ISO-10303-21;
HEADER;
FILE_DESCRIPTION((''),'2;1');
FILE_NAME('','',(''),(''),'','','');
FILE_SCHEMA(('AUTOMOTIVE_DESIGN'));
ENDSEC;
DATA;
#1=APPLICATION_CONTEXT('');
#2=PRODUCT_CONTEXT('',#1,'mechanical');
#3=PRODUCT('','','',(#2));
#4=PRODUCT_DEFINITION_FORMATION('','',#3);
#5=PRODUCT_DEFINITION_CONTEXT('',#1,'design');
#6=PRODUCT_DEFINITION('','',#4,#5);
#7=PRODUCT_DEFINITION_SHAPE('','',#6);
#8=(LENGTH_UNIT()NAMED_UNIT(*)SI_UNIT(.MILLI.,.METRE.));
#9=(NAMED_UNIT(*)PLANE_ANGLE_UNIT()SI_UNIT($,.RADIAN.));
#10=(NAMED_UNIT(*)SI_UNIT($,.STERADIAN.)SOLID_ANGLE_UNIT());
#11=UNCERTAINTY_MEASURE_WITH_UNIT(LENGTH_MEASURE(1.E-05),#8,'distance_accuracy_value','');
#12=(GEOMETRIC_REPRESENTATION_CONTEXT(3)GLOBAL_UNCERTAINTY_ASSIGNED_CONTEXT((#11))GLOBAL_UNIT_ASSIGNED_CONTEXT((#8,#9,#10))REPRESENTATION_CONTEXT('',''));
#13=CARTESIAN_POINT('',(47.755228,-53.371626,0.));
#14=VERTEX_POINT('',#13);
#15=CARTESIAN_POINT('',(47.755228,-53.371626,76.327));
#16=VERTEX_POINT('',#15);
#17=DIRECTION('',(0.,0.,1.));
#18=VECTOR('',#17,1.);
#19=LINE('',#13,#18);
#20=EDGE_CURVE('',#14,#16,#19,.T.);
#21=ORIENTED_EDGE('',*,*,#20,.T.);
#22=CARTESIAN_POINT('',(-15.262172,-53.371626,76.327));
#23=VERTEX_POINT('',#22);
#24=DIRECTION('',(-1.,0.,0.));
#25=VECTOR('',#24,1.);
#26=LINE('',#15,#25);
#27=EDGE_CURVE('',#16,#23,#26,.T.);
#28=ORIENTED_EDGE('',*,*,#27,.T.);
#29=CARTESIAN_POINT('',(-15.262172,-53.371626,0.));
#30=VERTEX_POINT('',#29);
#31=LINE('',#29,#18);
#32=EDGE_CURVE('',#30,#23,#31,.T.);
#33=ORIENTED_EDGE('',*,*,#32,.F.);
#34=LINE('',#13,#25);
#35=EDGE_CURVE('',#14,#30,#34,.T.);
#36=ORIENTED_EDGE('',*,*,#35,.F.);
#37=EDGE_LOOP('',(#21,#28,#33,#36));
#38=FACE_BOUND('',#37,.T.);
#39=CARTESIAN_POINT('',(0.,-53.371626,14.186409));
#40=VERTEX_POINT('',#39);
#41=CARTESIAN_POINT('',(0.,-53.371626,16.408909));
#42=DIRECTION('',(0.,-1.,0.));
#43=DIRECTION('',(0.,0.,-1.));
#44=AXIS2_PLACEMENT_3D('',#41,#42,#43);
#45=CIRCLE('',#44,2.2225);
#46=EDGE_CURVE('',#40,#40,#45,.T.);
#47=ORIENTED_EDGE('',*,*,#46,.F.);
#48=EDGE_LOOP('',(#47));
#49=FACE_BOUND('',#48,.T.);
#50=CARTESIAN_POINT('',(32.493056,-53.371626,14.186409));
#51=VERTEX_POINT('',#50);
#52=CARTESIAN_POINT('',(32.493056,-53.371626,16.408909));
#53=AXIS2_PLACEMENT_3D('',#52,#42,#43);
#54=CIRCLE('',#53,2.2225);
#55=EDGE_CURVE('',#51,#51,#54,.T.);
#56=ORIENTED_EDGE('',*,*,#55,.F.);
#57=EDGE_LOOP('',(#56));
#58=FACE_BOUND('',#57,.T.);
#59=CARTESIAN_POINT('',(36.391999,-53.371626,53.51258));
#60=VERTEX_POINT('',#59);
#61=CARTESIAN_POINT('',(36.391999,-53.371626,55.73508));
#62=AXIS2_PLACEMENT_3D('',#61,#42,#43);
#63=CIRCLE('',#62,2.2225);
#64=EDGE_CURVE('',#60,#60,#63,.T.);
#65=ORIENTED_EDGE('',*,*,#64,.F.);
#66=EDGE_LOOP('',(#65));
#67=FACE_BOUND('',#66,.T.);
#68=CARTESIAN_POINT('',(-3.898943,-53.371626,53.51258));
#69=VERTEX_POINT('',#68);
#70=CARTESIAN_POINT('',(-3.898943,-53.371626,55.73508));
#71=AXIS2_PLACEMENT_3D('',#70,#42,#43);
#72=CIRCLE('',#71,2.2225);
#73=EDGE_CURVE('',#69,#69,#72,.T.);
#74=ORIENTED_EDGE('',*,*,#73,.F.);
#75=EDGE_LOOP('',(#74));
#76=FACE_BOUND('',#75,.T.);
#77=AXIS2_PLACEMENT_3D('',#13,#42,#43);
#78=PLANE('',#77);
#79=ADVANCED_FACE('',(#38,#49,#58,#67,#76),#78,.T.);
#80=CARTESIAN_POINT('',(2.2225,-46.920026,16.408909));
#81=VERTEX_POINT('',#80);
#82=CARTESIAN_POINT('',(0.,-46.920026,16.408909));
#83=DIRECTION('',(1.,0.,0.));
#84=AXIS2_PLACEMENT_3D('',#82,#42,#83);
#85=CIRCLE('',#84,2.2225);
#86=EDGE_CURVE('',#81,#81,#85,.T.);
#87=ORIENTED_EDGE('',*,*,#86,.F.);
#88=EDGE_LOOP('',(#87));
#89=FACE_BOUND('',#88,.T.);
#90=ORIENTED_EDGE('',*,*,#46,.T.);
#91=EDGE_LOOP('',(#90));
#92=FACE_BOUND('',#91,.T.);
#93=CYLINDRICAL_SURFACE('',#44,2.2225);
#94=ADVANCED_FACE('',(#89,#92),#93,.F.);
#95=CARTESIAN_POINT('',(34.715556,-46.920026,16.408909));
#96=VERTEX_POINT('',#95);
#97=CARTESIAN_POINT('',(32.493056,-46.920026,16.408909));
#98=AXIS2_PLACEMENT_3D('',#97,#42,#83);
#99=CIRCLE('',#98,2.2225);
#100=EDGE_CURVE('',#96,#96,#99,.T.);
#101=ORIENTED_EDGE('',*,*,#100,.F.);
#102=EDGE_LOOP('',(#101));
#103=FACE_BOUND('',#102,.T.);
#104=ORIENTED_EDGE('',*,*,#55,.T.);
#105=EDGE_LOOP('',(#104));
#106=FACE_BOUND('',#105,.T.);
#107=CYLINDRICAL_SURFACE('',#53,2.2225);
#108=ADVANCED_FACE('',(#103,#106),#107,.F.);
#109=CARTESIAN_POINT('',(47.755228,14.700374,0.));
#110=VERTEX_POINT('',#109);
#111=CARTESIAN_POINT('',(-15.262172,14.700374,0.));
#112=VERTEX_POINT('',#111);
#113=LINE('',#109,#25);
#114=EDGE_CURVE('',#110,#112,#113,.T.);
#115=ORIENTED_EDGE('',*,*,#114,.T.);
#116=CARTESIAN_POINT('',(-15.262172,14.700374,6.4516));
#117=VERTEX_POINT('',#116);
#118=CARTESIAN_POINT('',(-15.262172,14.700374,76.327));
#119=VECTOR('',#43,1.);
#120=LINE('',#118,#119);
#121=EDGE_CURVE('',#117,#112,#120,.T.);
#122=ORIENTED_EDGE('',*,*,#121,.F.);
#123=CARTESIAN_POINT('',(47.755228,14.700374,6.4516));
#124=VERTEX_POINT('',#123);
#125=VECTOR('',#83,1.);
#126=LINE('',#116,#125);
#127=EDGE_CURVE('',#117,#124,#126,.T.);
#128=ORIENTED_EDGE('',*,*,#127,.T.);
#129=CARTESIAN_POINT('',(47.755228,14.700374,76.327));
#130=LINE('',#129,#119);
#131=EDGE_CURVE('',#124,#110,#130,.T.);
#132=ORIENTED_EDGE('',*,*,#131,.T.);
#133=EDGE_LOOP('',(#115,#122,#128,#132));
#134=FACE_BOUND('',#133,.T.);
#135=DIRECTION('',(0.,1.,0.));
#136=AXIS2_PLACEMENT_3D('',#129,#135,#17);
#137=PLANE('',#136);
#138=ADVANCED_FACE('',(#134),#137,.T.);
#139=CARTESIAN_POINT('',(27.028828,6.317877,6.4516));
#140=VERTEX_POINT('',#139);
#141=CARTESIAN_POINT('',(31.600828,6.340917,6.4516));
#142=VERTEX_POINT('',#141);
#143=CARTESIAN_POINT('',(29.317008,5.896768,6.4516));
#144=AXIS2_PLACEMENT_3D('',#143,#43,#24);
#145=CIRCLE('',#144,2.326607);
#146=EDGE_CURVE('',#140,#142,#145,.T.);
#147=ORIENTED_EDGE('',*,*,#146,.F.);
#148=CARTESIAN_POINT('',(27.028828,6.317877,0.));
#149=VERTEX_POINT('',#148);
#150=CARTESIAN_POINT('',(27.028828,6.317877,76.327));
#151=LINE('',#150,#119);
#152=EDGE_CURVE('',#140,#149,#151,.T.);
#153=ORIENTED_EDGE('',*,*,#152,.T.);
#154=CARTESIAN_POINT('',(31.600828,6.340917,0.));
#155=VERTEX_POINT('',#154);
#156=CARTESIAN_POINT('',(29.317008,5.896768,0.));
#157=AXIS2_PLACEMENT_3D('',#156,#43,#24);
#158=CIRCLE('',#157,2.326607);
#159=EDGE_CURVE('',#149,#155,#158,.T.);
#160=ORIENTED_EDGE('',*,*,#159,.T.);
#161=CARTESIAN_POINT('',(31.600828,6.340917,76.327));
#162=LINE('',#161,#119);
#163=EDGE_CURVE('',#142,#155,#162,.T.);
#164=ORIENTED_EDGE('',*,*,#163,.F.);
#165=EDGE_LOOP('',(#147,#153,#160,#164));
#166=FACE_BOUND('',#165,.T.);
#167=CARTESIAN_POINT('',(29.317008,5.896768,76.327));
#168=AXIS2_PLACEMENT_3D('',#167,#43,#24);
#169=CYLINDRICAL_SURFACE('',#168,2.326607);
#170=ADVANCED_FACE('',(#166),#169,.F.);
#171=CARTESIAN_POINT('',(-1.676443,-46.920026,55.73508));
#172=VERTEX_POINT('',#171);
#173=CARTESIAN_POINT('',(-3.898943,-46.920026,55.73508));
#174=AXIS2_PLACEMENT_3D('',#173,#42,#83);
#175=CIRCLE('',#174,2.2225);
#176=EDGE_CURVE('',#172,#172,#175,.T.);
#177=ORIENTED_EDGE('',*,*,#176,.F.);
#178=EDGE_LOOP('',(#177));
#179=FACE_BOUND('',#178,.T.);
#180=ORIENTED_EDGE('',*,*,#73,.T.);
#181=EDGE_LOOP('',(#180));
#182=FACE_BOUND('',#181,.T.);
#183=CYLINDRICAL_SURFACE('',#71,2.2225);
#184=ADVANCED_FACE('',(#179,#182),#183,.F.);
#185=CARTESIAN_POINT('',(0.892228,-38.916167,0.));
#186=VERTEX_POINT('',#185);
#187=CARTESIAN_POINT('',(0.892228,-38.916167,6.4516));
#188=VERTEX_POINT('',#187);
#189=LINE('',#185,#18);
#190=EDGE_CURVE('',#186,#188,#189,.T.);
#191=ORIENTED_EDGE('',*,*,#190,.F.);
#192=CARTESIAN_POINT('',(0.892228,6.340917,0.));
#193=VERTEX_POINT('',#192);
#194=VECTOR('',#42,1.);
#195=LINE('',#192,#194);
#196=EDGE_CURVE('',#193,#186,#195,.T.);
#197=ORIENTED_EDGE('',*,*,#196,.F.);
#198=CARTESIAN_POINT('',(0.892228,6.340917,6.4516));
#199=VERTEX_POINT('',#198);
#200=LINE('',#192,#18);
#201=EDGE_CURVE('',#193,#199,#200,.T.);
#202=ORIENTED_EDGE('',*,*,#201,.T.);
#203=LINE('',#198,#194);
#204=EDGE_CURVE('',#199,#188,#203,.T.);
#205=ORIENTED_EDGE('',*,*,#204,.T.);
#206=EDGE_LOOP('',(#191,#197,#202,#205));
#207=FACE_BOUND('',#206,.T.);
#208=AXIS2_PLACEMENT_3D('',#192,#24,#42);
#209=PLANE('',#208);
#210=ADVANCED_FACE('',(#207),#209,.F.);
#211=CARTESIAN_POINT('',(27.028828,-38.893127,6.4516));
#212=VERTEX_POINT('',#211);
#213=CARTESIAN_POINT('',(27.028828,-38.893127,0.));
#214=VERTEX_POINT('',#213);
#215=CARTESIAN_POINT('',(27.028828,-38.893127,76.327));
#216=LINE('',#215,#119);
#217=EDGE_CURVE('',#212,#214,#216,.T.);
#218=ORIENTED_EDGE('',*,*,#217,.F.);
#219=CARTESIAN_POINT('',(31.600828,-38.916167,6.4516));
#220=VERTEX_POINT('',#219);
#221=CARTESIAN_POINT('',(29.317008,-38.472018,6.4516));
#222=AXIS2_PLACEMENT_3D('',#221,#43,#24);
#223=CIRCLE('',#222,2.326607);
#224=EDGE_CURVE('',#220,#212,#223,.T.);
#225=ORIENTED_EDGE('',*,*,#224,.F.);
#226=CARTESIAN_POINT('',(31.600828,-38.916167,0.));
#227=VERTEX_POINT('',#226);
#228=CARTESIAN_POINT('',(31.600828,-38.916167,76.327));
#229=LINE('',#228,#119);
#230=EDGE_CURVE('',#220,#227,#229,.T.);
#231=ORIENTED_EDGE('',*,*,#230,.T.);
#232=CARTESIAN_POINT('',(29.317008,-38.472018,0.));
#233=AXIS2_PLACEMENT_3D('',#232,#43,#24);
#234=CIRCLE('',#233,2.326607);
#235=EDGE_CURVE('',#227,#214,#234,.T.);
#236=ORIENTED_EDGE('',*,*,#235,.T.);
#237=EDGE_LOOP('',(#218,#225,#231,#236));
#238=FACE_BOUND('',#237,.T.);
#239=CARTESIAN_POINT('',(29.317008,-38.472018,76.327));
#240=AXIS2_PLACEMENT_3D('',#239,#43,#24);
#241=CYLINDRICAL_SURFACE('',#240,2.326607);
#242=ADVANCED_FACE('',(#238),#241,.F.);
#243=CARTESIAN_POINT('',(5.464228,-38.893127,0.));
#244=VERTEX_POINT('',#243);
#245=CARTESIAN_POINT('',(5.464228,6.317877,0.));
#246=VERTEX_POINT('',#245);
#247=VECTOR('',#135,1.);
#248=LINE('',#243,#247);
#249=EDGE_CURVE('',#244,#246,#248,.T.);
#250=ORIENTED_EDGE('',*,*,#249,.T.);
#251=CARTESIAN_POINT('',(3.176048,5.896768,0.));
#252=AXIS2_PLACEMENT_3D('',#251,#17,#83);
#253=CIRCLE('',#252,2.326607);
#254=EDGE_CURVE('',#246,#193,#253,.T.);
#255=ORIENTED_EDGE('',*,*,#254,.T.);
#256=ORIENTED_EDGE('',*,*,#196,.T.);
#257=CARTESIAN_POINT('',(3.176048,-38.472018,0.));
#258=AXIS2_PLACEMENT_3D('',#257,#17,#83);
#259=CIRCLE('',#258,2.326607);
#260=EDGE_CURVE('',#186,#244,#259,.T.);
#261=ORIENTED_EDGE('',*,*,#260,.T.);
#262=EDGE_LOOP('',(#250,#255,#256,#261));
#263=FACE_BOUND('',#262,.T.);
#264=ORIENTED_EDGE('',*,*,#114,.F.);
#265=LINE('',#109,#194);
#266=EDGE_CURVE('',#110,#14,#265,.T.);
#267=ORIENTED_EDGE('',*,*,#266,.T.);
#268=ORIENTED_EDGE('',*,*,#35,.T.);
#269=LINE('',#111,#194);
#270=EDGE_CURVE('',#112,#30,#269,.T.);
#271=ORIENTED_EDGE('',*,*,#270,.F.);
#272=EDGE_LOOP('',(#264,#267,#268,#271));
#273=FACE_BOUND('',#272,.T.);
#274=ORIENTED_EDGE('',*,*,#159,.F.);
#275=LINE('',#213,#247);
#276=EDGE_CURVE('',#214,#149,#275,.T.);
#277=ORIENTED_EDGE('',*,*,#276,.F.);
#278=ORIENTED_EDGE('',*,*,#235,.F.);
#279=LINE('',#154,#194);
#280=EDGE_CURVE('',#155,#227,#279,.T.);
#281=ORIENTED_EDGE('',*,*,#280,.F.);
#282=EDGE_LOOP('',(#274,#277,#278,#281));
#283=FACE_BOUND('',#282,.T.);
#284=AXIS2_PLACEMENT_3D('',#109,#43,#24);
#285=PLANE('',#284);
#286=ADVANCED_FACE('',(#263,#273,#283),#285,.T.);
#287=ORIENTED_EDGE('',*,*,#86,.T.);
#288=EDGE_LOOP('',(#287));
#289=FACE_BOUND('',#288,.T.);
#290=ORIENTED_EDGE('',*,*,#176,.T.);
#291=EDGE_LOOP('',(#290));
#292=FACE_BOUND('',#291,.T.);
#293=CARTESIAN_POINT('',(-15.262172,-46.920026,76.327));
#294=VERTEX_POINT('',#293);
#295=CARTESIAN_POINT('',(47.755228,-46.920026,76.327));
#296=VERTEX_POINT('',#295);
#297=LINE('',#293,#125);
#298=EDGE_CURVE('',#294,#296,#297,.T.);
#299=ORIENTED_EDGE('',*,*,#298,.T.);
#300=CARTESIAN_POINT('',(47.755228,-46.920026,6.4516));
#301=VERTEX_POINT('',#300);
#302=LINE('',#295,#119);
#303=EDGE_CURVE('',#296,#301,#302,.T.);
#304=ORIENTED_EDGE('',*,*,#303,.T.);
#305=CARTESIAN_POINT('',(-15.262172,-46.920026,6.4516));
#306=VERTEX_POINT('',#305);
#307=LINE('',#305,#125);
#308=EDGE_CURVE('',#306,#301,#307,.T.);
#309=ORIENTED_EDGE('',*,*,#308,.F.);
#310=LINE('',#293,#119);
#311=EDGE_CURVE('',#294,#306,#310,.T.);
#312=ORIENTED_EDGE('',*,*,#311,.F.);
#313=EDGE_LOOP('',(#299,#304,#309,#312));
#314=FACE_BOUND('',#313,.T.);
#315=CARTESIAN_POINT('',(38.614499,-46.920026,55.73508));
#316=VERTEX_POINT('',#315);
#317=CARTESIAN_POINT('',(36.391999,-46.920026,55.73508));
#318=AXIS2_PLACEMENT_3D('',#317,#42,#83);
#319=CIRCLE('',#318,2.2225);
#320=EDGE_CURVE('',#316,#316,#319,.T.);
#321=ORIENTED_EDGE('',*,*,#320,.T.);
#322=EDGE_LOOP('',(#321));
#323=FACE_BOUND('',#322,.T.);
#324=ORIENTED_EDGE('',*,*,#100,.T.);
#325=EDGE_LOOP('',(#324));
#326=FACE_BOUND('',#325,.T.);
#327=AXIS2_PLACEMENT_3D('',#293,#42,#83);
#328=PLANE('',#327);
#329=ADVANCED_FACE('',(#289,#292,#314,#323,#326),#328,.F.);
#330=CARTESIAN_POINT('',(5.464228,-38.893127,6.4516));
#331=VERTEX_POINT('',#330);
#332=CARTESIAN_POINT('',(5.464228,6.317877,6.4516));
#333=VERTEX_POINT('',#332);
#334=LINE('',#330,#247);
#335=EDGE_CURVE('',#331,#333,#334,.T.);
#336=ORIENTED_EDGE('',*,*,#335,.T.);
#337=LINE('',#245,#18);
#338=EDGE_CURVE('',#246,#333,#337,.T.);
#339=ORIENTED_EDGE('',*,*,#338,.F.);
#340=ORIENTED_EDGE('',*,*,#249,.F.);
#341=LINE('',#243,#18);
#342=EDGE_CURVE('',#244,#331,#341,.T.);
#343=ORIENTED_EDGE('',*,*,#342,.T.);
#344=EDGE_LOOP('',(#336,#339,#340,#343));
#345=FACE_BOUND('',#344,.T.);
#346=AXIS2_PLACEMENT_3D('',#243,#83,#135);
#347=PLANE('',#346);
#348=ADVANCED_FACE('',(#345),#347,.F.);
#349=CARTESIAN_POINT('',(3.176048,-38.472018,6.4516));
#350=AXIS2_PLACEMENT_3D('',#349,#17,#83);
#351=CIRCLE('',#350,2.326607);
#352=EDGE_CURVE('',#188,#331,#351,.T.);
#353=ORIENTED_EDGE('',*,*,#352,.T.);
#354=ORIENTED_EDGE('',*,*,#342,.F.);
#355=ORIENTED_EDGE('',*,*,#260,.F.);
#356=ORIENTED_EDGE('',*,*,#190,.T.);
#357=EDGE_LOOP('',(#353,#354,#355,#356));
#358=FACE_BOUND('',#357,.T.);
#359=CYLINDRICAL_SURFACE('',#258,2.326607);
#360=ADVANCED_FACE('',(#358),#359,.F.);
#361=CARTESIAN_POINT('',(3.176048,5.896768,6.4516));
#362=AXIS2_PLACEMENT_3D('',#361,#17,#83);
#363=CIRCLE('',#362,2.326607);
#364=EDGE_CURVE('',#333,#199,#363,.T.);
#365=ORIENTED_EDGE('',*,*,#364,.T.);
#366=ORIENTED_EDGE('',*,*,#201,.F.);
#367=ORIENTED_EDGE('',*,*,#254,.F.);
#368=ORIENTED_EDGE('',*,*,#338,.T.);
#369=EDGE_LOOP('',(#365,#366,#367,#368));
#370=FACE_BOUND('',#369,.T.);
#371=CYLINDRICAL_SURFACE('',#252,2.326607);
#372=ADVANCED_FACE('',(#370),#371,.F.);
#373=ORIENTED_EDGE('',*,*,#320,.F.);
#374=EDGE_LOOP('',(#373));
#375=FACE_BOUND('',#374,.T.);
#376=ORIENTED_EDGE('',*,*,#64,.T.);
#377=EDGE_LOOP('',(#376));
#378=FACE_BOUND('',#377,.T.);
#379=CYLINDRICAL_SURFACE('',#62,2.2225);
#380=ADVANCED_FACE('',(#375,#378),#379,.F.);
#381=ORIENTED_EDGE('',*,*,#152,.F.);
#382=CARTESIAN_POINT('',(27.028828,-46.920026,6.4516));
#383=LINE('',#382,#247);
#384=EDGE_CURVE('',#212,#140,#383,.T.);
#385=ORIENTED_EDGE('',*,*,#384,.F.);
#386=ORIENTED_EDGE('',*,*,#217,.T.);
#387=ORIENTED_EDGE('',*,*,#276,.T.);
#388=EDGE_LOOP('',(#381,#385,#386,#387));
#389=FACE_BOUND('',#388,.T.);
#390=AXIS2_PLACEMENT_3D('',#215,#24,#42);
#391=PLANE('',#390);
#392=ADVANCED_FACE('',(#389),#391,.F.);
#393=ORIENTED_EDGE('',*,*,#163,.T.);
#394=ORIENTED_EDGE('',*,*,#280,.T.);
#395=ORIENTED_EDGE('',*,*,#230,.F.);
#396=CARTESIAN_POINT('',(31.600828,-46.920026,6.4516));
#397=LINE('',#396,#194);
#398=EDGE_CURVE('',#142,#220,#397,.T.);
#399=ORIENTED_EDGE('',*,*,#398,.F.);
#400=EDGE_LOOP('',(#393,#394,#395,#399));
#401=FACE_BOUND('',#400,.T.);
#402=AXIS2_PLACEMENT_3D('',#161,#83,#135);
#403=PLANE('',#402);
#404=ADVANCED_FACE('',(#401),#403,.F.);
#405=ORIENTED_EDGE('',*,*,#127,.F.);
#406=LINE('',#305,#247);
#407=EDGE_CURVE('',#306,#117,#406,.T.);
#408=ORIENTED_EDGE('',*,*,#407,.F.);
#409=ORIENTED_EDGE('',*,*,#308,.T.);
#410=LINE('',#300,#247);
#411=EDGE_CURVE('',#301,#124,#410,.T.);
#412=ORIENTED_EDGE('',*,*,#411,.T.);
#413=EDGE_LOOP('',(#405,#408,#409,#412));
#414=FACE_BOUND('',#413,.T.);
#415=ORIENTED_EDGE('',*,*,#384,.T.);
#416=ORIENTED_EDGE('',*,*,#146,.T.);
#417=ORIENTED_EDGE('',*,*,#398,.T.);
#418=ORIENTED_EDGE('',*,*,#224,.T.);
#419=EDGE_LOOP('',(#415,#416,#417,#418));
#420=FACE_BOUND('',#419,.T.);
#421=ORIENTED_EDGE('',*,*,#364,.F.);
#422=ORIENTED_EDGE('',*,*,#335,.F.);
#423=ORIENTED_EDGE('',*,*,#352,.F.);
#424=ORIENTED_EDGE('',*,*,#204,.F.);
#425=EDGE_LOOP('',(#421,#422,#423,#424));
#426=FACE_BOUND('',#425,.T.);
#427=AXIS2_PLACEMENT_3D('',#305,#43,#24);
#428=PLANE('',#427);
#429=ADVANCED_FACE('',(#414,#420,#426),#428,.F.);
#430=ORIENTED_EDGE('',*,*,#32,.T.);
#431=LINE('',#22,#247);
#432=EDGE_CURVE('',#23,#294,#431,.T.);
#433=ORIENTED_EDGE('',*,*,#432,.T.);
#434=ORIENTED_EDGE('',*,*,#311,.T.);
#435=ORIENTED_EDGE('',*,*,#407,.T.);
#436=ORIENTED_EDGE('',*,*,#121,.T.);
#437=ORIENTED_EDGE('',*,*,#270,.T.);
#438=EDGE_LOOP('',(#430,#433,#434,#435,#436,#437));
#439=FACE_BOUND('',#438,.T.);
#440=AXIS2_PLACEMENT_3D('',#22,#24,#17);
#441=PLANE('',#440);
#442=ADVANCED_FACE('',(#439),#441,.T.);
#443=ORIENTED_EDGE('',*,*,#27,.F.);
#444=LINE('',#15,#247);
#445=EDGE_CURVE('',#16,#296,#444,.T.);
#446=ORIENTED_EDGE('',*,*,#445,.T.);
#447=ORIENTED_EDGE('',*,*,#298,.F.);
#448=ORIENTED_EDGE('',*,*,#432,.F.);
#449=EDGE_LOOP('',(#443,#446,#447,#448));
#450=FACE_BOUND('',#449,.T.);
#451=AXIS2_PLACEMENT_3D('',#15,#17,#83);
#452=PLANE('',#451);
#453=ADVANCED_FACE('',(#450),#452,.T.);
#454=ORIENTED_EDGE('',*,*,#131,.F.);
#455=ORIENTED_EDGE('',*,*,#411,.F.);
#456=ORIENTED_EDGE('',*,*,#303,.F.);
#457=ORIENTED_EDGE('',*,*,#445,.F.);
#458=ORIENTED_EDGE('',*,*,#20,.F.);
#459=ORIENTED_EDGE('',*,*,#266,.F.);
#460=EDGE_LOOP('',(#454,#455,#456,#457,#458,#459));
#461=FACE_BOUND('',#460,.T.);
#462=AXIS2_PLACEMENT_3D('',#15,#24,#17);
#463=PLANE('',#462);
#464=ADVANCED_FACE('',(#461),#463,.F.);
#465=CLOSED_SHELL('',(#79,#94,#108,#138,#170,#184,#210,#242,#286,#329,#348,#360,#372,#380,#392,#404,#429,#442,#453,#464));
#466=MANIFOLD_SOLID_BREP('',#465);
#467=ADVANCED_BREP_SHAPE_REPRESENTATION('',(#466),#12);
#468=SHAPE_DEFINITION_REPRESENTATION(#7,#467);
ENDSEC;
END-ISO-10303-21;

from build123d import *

# Parameters (mm, degrees)
SKETCH1_W                = 68.072
SKETCH1_H                = 76.327
BOSS_EXTRUDE1_DEPTH      = 63.0174
SKETCH2_W                = 69.8754
SKETCH2_H                = 61.6204
CUT_EXTRUDE1_DEPTH       = 113.452363516
CUT_EXTRUDE2_DEPTH       = 101.05830175
CUT_EXTRUDE3_DEPTH       = 105.665673231
M4_CLEARANCE_HOLE1_D     = 4.445
M4_CLEARANCE_HOLE1_DEPTH = 68.072


with BuildPart() as part:
    # Sketch1 → Boss-Extrude1 (new body)
    with BuildSketch(Plane(origin=(-15.262172061, 0, 0), x_dir=(0, -1, 0), z_dir=(-1, 0, 0))):
        with Locations((19.335625687, 38.1635)):
            Rectangle(SKETCH1_W, SKETCH1_H)
    extrude(amount=-BOSS_EXTRUDE1_DEPTH)

    # Sketch2 → Cut-Extrude1 (cut, through all)
    with BuildSketch(Plane(origin=(47.755227939, 0, 0), x_dir=(0, 0, -1), z_dir=(1, 0, 0))):
        with Locations((-41.3893, -16.109825687)):
            Rectangle(SKETCH2_W, SKETCH2_H)
    extrude(amount=-CUT_EXTRUDE1_DEPTH, mode=Mode.SUBTRACT)

    # Sketch3 → Cut-Extrude2 (cut, through all)
    with BuildSketch(Plane.XY.offset(6.4516)):
        with BuildLine():
            Line((5.464227939, -38.893127295), (5.464227939, 6.317876942))
            ThreePointArc((5.464227939, 6.317876942), (3.187772185, 8.223345793), (0.892227939, 6.340916789))
            Line((0.892227939, 6.340916789), (0.892227939, -38.916167142))
            ThreePointArc((0.892227939, -38.916167142), (3.187772185, -40.798596146), (5.464227939, -38.893127295))
        make_face()
    extrude(amount=-CUT_EXTRUDE2_DEPTH, mode=Mode.SUBTRACT)

    # Sketch4 → Cut-Extrude3 (cut, through all)
    with BuildSketch(Plane(origin=(0, 0, 0), x_dir=(-1, 0, 0), z_dir=(0, 0, -1))):
        with BuildLine():
            Line((-27.028827939, -38.893127295), (-27.028827939, 6.317876942))
            ThreePointArc((-27.028827939, 6.317876942), (-29.305283692, 8.223345793), (-31.600827939, 6.340916789))
            Line((-31.600827939, 6.340916789), (-31.600827939, -38.916167142))
            ThreePointArc((-31.600827939, -38.916167142), (-29.305283692, -40.798596146), (-27.028827939, -38.893127295))
        make_face()
    extrude(amount=-CUT_EXTRUDE3_DEPTH, mode=Mode.SUBTRACT)

    # M4 Clearance Hole1
    with Locations(Plane.XZ.offset(53.371625687)):
        with Locations((32.493055877, 16.408909131), (0, 16.408909131), (36.391998544, 55.735080284), (-3.898942667, 55.735080284)):
            Hole(M4_CLEARANCE_HOLE1_D / 2, depth=M4_CLEARANCE_HOLE1_DEPTH)


solid = part.part
